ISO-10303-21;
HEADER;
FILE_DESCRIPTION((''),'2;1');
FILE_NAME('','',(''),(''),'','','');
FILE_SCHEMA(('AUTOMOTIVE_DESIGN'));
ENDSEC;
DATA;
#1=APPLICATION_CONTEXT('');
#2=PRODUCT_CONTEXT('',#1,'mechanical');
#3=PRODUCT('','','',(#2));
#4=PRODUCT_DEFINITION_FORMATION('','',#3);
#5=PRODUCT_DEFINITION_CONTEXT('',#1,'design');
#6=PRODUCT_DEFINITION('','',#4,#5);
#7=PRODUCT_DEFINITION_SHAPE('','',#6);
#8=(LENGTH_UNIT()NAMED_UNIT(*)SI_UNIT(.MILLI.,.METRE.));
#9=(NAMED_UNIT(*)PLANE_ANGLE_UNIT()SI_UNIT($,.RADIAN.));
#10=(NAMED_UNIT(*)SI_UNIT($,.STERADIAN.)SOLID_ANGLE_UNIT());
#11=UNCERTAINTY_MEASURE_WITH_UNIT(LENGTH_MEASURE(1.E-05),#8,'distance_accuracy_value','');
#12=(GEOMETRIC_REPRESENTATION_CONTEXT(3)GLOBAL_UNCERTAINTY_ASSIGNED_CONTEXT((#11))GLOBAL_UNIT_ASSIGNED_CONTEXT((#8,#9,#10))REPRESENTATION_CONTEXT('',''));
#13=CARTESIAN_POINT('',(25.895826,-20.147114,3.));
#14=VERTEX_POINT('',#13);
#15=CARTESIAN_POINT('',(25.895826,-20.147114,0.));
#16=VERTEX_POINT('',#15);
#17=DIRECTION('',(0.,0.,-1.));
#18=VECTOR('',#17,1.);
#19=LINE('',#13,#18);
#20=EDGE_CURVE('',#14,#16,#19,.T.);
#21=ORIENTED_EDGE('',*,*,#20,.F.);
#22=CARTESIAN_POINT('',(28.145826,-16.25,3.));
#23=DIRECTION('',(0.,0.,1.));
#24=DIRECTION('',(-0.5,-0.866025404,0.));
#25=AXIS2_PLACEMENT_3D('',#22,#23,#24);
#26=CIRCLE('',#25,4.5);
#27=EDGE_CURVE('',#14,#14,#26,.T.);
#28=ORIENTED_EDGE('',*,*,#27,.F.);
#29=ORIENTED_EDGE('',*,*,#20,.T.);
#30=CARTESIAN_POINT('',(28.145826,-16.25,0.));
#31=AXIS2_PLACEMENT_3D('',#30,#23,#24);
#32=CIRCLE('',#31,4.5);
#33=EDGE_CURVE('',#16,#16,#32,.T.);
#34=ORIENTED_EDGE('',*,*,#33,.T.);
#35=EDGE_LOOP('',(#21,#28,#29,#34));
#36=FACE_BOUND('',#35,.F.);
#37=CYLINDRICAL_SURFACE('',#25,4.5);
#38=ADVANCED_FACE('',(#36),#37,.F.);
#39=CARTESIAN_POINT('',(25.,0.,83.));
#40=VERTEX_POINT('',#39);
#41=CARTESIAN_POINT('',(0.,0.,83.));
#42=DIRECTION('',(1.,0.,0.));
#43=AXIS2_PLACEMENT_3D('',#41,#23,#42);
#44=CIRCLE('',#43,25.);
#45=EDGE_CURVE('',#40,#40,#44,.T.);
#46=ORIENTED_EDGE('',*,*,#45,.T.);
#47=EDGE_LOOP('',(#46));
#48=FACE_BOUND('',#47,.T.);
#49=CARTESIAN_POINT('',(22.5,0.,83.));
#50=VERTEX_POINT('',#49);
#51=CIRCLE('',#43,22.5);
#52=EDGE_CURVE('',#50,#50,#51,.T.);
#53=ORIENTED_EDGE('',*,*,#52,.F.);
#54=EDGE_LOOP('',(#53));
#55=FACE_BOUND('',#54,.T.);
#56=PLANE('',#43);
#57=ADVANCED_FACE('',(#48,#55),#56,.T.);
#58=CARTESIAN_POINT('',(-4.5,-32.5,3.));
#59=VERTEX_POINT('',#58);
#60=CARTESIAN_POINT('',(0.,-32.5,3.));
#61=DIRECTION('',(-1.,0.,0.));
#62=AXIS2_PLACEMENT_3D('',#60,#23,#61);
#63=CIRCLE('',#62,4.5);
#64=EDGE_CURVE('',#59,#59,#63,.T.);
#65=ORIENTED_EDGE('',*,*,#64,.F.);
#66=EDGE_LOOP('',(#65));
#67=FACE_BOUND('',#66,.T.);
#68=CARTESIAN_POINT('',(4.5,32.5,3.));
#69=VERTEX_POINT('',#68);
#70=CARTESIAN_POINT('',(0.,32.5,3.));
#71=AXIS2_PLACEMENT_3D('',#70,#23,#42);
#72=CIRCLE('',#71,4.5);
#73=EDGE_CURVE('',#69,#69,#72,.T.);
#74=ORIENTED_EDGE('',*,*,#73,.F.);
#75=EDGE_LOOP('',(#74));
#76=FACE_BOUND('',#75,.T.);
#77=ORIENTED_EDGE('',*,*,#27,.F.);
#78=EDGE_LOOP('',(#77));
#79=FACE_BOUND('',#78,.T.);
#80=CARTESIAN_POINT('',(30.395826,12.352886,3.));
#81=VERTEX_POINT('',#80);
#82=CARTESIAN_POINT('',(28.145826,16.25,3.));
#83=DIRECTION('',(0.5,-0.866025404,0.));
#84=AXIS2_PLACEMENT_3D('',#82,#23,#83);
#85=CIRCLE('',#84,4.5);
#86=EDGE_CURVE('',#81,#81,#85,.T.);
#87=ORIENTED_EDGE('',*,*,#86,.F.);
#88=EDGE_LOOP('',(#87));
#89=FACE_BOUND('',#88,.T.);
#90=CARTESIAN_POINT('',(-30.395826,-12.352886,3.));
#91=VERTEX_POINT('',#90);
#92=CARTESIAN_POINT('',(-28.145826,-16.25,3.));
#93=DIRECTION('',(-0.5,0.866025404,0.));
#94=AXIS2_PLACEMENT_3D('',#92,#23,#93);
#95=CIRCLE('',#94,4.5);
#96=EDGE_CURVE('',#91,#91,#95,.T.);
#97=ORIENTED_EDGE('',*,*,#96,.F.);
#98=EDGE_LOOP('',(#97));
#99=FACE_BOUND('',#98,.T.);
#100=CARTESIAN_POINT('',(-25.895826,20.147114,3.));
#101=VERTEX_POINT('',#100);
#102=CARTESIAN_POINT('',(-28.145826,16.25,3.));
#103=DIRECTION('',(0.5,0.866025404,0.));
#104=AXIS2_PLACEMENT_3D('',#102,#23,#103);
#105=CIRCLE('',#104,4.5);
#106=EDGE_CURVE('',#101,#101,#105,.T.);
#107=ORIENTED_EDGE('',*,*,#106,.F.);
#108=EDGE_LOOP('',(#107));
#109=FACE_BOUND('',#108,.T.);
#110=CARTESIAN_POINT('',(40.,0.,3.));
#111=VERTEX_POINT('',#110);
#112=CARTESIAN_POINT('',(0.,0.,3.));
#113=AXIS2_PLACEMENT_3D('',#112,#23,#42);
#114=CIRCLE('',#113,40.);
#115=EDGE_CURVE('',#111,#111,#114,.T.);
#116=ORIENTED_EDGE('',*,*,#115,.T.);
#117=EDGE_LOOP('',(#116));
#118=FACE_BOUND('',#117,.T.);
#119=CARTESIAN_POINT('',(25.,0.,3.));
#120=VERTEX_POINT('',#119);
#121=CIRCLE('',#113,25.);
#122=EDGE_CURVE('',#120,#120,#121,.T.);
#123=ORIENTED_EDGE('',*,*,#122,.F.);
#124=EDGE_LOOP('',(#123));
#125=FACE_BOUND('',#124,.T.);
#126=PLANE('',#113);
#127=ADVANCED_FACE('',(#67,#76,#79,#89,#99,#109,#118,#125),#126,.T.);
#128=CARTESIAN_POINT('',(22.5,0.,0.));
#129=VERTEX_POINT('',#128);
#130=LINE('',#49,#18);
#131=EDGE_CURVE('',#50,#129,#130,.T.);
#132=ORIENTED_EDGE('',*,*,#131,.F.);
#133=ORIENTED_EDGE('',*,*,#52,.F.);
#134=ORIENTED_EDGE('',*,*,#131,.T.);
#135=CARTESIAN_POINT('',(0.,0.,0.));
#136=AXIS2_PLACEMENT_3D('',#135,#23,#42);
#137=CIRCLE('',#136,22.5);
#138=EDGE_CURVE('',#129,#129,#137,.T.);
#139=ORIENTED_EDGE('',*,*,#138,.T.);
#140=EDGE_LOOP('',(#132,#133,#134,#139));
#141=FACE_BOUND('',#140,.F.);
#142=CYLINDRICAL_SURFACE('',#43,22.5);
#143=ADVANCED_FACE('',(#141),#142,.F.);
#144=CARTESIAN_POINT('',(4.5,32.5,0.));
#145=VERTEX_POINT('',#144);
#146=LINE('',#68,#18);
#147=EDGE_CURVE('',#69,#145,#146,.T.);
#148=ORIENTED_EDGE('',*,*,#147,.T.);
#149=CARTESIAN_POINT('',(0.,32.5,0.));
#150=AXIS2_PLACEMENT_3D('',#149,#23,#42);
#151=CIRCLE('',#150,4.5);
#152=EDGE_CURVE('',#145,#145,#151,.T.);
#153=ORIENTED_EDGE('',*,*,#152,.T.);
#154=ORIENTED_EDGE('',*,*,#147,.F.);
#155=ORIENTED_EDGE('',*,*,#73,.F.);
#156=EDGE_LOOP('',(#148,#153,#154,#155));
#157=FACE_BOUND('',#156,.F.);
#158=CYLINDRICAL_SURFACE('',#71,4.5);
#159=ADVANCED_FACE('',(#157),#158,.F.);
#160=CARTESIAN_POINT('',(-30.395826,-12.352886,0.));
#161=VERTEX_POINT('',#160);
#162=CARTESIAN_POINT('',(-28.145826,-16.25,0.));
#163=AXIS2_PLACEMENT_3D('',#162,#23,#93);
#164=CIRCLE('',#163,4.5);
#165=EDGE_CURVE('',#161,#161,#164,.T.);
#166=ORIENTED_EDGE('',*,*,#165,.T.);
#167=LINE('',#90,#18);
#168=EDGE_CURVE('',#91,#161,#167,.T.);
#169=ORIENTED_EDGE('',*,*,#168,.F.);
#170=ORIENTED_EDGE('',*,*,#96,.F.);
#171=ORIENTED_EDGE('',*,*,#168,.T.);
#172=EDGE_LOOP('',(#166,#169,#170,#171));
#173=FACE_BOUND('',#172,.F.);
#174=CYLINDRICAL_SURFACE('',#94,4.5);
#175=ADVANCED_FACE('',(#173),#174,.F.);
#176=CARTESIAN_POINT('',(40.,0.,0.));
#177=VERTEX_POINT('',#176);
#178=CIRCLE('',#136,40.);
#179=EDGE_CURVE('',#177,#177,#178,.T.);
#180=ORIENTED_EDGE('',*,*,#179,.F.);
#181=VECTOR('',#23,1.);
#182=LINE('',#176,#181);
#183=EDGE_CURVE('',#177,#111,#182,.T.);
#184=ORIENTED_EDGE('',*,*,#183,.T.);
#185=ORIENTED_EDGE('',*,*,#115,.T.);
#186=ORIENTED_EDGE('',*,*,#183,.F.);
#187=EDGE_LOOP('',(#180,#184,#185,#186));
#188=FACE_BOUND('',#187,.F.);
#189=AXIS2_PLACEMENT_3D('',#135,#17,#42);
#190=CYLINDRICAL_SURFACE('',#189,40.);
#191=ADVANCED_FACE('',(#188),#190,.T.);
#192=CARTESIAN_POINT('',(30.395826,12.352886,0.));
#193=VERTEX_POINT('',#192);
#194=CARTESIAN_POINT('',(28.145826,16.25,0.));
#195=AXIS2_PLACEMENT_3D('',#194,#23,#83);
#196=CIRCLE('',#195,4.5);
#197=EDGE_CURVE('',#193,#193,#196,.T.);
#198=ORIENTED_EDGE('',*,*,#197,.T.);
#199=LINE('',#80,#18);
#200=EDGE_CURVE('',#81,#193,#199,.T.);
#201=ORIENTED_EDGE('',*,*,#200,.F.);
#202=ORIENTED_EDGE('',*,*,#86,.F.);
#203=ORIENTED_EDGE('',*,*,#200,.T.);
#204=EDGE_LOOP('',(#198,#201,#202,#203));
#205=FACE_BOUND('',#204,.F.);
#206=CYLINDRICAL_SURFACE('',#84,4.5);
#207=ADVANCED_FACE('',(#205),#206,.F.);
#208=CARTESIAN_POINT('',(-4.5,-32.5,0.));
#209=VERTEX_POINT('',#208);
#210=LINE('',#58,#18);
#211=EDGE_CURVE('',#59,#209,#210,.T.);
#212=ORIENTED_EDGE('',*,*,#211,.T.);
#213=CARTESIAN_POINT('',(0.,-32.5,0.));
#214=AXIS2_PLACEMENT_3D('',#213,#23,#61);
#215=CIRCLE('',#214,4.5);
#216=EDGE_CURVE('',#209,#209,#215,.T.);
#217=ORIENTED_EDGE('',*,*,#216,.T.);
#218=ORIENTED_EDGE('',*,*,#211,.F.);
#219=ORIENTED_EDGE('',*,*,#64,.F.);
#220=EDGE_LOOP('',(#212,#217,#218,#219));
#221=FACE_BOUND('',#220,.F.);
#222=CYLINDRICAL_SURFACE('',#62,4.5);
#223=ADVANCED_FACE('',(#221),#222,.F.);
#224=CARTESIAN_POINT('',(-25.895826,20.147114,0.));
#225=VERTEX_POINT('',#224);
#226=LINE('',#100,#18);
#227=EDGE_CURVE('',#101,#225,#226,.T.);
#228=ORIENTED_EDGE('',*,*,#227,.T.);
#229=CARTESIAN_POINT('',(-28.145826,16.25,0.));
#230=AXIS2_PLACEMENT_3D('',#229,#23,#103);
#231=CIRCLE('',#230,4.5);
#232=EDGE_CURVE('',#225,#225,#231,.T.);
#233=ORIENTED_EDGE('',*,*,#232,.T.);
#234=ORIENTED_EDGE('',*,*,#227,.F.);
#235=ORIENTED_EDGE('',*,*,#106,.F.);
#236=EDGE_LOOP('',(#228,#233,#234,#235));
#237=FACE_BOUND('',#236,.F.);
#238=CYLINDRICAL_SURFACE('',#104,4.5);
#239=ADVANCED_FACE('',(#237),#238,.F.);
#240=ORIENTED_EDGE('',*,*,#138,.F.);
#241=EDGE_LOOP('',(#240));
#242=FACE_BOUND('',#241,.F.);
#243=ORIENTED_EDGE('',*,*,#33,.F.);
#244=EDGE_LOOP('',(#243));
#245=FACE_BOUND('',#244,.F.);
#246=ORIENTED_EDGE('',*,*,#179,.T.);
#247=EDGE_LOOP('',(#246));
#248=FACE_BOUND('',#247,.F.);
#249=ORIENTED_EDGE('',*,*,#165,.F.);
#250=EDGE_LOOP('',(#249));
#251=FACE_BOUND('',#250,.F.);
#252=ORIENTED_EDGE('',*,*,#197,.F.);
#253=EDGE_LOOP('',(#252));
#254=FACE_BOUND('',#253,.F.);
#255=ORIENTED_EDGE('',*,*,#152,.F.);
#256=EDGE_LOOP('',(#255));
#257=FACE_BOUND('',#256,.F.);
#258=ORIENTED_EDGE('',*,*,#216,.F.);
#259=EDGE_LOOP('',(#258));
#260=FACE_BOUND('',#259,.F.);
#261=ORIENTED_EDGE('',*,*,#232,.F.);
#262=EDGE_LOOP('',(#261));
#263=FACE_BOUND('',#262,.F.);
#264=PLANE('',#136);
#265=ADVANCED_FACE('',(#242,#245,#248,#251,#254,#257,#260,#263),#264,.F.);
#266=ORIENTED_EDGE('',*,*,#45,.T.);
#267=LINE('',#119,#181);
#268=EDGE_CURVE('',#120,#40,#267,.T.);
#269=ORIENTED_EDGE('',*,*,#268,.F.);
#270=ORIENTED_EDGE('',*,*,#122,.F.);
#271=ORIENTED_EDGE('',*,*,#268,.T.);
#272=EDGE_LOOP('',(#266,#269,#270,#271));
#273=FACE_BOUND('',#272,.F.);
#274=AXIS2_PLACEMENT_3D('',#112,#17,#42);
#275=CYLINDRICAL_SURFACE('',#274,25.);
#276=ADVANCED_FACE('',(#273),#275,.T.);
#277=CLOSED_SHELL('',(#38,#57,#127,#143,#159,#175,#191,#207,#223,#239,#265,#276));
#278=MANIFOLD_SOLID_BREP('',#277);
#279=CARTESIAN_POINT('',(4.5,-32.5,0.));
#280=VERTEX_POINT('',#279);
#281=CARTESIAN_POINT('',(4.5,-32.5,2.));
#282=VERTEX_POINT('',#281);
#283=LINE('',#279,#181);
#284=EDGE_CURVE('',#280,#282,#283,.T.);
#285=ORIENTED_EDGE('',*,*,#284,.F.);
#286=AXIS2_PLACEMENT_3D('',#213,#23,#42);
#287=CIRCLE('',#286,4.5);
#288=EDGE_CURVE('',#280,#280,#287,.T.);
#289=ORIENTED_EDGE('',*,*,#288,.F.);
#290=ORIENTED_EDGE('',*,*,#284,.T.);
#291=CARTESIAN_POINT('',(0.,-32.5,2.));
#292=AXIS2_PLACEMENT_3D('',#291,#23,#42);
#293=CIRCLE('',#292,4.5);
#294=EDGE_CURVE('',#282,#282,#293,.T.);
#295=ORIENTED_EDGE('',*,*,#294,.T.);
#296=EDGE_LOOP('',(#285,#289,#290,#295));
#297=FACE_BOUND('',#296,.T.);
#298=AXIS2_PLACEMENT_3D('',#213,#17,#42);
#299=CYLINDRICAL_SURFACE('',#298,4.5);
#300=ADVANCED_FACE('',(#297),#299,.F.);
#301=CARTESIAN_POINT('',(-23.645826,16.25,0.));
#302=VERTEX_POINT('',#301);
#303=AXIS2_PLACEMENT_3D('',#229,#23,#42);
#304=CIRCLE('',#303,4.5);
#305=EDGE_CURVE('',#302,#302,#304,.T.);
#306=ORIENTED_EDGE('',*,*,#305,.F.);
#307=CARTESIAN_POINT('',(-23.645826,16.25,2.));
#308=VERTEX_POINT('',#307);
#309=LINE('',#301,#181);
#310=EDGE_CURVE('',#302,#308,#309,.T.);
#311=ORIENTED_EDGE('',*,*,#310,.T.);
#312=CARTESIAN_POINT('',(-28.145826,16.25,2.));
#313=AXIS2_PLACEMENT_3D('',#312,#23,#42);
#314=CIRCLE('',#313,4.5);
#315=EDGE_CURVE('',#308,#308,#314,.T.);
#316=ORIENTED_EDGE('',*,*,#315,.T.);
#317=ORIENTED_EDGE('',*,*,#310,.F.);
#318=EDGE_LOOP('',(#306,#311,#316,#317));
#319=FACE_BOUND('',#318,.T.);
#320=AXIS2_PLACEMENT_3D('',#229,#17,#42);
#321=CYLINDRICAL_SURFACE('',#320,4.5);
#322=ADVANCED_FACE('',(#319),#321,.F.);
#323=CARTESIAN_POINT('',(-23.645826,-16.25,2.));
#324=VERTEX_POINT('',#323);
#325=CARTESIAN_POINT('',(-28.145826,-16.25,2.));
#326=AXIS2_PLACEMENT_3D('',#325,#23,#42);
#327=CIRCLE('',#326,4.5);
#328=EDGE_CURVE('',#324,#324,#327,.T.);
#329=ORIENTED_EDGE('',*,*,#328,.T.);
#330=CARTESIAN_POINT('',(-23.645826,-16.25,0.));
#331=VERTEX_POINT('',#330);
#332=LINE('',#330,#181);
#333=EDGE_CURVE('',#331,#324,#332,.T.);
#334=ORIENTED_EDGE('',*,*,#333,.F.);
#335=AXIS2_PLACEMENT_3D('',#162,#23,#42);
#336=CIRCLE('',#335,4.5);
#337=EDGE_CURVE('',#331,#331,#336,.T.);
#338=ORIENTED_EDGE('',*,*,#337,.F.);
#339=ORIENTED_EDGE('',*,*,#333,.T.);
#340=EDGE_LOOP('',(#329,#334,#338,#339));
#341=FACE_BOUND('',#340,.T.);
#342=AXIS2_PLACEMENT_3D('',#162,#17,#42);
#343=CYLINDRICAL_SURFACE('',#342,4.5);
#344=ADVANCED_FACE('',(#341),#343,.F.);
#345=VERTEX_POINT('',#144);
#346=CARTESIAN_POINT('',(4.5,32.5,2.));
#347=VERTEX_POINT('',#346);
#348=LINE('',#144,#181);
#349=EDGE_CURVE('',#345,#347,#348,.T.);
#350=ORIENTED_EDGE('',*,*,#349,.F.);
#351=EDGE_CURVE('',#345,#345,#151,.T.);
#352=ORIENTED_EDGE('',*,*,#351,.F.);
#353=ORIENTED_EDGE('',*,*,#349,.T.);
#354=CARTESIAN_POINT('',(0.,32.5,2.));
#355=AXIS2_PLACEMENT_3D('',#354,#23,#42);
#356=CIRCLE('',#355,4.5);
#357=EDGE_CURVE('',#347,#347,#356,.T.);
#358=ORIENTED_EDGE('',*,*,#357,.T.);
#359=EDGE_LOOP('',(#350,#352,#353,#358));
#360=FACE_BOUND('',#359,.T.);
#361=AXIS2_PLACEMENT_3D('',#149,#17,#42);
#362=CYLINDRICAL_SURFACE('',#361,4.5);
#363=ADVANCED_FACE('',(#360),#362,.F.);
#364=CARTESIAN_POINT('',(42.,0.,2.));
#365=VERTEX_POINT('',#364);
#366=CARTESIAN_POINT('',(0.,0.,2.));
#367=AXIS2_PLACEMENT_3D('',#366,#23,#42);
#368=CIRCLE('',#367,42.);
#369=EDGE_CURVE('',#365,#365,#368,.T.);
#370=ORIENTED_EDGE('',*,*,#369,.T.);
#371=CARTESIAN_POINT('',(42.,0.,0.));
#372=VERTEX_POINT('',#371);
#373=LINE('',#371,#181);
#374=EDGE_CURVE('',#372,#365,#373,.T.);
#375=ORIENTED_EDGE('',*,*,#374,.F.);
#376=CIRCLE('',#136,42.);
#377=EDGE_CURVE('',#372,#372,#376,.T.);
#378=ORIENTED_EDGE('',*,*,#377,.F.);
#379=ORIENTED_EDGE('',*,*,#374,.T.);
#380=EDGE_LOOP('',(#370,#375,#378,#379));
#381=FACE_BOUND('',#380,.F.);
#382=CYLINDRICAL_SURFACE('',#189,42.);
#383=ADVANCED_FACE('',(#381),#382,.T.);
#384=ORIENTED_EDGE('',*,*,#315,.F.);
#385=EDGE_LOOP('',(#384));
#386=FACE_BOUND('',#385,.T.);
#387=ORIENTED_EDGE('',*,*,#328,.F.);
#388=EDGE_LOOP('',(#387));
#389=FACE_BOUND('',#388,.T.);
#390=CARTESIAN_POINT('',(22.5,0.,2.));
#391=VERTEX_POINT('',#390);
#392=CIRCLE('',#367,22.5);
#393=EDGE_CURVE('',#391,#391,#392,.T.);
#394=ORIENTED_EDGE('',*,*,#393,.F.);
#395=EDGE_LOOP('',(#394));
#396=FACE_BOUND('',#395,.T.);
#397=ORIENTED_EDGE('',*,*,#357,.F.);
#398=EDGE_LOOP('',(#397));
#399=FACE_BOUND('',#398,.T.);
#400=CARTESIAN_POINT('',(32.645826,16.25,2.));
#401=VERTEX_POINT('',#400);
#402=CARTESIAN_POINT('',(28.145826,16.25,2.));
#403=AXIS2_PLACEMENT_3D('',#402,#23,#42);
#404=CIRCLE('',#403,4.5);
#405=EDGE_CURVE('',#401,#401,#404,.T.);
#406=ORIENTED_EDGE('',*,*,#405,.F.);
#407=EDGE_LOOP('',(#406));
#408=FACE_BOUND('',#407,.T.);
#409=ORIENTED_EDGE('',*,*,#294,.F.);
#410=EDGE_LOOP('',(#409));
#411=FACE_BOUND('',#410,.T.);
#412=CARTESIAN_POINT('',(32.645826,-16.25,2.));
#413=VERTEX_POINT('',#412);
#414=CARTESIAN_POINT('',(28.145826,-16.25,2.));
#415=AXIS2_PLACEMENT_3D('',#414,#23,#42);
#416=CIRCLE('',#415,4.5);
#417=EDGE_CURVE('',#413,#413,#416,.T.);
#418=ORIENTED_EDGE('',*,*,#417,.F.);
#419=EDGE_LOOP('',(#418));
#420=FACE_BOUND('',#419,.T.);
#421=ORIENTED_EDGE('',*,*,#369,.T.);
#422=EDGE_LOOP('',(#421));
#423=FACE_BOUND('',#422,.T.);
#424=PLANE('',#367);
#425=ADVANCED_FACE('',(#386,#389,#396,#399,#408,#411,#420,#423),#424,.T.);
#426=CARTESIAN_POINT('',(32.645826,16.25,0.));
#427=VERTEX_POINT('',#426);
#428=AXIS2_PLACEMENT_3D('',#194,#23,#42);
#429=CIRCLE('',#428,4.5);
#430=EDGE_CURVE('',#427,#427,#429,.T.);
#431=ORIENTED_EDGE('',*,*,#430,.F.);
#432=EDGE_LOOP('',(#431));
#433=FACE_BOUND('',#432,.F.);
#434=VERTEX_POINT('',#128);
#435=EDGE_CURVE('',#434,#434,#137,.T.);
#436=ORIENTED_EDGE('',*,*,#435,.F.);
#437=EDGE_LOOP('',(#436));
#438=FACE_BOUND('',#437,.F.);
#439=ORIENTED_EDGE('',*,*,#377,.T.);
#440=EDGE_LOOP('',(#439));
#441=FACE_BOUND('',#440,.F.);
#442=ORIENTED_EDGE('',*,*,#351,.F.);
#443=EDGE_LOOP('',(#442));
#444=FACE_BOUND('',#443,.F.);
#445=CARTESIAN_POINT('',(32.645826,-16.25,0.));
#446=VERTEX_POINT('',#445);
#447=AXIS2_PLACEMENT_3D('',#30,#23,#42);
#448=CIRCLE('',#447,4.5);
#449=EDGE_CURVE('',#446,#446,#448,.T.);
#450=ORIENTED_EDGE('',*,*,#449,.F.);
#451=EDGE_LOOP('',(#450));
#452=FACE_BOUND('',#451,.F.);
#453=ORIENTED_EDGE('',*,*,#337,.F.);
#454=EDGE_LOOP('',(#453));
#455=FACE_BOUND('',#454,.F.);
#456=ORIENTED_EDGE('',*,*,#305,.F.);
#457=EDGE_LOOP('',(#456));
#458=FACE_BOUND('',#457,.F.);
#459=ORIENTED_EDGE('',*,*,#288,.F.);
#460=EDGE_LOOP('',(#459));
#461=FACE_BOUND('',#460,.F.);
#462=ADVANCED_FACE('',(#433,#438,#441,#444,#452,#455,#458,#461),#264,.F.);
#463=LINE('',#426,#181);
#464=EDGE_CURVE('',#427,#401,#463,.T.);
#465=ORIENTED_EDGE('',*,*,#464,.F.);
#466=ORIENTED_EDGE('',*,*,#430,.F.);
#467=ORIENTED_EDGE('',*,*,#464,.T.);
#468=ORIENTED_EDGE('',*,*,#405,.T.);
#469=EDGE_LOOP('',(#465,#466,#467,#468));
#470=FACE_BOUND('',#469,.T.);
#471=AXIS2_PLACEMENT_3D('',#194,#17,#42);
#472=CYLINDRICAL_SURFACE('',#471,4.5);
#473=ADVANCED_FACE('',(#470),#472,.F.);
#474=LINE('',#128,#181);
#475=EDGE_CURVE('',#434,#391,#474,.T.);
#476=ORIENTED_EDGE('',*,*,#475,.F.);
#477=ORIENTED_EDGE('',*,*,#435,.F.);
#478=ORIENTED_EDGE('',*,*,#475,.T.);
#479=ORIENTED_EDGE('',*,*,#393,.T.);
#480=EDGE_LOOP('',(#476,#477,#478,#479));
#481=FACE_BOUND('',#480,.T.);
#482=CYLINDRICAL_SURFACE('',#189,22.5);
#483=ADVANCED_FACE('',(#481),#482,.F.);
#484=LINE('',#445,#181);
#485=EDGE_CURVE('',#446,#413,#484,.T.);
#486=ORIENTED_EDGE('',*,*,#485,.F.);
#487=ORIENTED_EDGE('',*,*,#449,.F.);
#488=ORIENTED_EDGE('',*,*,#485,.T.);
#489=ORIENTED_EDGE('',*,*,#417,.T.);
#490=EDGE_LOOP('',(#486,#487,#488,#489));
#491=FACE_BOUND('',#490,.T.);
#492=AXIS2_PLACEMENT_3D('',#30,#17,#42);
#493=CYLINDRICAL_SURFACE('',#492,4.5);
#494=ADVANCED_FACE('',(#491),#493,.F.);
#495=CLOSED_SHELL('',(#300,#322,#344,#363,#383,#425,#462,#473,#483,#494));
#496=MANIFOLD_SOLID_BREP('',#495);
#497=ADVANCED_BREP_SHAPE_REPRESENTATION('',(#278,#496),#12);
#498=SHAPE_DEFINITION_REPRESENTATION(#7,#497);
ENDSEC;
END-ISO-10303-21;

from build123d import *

# Parameters (mm, degrees)
SKETCH_R           = 40
PAD_DEPTH          = 3
SKETCH001_R        = 25
PAD001_DEPTH       = 80
SKETCH002_R        = 22.5
POCKET_DEPTH       = 83.001
SKETCH003_R        = 4.5
POCKET001_DEPTH    = 283.635994
POLARPATTERN_COUNT = 6
SKETCH004_R        = 42
SKETCH004_R_2      = 22.5
SKETCH004_R_3      = 4.5
PAD002_DEPTH       = 2


with BuildPart() as pipe:
    # Sketch → Pad (new body)
    with BuildSketch(Plane.XY):
        Circle(SKETCH_R)
    extrude(amount=PAD_DEPTH)

    # Sketch001 (on Face3 of Pad) → Pad001 (join)
    with BuildSketch(Plane.XY.offset(3)):
        Circle(SKETCH001_R)
    extrude(amount=PAD001_DEPTH)

    # Sketch002 (on Face5 of Pad001) → Pocket (cut, through all)
    with BuildSketch(Plane.XY.offset(83)):
        Circle(SKETCH002_R)
    extrude(amount=-POCKET_DEPTH, mode=Mode.SUBTRACT)

    # Sketch003 (on Face3 of Pocket) → Pocket001 (cut, through all)
    with BuildSketch(Plane.XY.offset(3)):
        with Locations((0, 32.5)):
            Circle(SKETCH003_R)
    pocket001 = extrude(amount=-POCKET001_DEPTH, mode=Mode.SUBTRACT)

    # PolarPattern: Pocket001 ×6 about axis
    polarpattern_axis = Axis((0, 0, 3), (0, 0, 1))
    for i in range(1, POLARPATTERN_COUNT):
        add(pocket001.rotate(polarpattern_axis, i * 360 / POLARPATTERN_COUNT), mode=Mode.SUBTRACT)


with BuildPart() as gasket:
    # Sketch004 → Pad002 (new body)
    with BuildSketch(Plane.XY):
        Circle(SKETCH004_R)
        Circle(SKETCH004_R_2, mode=Mode.SUBTRACT)
        with Locations((0, 32.5)):
            Circle(SKETCH004_R_3, mode=Mode.SUBTRACT)
        with Locations((28.145826, -16.25)):
            Circle(SKETCH004_R_3, mode=Mode.SUBTRACT)
        with Locations((-28.145826, -16.25)):
            Circle(SKETCH004_R_3, mode=Mode.SUBTRACT)
        with Locations((28.145826, 16.25)):
            Circle(SKETCH004_R_3, mode=Mode.SUBTRACT)
        with Locations((-28.145826, 16.25)):
            Circle(SKETCH004_R_3, mode=Mode.SUBTRACT)
        with Locations((0, -32.5)):
            Circle(SKETCH004_R_3, mode=Mode.SUBTRACT)
    extrude(amount=PAD002_DEPTH)


solid = Compound([pipe.part, gasket.part])
